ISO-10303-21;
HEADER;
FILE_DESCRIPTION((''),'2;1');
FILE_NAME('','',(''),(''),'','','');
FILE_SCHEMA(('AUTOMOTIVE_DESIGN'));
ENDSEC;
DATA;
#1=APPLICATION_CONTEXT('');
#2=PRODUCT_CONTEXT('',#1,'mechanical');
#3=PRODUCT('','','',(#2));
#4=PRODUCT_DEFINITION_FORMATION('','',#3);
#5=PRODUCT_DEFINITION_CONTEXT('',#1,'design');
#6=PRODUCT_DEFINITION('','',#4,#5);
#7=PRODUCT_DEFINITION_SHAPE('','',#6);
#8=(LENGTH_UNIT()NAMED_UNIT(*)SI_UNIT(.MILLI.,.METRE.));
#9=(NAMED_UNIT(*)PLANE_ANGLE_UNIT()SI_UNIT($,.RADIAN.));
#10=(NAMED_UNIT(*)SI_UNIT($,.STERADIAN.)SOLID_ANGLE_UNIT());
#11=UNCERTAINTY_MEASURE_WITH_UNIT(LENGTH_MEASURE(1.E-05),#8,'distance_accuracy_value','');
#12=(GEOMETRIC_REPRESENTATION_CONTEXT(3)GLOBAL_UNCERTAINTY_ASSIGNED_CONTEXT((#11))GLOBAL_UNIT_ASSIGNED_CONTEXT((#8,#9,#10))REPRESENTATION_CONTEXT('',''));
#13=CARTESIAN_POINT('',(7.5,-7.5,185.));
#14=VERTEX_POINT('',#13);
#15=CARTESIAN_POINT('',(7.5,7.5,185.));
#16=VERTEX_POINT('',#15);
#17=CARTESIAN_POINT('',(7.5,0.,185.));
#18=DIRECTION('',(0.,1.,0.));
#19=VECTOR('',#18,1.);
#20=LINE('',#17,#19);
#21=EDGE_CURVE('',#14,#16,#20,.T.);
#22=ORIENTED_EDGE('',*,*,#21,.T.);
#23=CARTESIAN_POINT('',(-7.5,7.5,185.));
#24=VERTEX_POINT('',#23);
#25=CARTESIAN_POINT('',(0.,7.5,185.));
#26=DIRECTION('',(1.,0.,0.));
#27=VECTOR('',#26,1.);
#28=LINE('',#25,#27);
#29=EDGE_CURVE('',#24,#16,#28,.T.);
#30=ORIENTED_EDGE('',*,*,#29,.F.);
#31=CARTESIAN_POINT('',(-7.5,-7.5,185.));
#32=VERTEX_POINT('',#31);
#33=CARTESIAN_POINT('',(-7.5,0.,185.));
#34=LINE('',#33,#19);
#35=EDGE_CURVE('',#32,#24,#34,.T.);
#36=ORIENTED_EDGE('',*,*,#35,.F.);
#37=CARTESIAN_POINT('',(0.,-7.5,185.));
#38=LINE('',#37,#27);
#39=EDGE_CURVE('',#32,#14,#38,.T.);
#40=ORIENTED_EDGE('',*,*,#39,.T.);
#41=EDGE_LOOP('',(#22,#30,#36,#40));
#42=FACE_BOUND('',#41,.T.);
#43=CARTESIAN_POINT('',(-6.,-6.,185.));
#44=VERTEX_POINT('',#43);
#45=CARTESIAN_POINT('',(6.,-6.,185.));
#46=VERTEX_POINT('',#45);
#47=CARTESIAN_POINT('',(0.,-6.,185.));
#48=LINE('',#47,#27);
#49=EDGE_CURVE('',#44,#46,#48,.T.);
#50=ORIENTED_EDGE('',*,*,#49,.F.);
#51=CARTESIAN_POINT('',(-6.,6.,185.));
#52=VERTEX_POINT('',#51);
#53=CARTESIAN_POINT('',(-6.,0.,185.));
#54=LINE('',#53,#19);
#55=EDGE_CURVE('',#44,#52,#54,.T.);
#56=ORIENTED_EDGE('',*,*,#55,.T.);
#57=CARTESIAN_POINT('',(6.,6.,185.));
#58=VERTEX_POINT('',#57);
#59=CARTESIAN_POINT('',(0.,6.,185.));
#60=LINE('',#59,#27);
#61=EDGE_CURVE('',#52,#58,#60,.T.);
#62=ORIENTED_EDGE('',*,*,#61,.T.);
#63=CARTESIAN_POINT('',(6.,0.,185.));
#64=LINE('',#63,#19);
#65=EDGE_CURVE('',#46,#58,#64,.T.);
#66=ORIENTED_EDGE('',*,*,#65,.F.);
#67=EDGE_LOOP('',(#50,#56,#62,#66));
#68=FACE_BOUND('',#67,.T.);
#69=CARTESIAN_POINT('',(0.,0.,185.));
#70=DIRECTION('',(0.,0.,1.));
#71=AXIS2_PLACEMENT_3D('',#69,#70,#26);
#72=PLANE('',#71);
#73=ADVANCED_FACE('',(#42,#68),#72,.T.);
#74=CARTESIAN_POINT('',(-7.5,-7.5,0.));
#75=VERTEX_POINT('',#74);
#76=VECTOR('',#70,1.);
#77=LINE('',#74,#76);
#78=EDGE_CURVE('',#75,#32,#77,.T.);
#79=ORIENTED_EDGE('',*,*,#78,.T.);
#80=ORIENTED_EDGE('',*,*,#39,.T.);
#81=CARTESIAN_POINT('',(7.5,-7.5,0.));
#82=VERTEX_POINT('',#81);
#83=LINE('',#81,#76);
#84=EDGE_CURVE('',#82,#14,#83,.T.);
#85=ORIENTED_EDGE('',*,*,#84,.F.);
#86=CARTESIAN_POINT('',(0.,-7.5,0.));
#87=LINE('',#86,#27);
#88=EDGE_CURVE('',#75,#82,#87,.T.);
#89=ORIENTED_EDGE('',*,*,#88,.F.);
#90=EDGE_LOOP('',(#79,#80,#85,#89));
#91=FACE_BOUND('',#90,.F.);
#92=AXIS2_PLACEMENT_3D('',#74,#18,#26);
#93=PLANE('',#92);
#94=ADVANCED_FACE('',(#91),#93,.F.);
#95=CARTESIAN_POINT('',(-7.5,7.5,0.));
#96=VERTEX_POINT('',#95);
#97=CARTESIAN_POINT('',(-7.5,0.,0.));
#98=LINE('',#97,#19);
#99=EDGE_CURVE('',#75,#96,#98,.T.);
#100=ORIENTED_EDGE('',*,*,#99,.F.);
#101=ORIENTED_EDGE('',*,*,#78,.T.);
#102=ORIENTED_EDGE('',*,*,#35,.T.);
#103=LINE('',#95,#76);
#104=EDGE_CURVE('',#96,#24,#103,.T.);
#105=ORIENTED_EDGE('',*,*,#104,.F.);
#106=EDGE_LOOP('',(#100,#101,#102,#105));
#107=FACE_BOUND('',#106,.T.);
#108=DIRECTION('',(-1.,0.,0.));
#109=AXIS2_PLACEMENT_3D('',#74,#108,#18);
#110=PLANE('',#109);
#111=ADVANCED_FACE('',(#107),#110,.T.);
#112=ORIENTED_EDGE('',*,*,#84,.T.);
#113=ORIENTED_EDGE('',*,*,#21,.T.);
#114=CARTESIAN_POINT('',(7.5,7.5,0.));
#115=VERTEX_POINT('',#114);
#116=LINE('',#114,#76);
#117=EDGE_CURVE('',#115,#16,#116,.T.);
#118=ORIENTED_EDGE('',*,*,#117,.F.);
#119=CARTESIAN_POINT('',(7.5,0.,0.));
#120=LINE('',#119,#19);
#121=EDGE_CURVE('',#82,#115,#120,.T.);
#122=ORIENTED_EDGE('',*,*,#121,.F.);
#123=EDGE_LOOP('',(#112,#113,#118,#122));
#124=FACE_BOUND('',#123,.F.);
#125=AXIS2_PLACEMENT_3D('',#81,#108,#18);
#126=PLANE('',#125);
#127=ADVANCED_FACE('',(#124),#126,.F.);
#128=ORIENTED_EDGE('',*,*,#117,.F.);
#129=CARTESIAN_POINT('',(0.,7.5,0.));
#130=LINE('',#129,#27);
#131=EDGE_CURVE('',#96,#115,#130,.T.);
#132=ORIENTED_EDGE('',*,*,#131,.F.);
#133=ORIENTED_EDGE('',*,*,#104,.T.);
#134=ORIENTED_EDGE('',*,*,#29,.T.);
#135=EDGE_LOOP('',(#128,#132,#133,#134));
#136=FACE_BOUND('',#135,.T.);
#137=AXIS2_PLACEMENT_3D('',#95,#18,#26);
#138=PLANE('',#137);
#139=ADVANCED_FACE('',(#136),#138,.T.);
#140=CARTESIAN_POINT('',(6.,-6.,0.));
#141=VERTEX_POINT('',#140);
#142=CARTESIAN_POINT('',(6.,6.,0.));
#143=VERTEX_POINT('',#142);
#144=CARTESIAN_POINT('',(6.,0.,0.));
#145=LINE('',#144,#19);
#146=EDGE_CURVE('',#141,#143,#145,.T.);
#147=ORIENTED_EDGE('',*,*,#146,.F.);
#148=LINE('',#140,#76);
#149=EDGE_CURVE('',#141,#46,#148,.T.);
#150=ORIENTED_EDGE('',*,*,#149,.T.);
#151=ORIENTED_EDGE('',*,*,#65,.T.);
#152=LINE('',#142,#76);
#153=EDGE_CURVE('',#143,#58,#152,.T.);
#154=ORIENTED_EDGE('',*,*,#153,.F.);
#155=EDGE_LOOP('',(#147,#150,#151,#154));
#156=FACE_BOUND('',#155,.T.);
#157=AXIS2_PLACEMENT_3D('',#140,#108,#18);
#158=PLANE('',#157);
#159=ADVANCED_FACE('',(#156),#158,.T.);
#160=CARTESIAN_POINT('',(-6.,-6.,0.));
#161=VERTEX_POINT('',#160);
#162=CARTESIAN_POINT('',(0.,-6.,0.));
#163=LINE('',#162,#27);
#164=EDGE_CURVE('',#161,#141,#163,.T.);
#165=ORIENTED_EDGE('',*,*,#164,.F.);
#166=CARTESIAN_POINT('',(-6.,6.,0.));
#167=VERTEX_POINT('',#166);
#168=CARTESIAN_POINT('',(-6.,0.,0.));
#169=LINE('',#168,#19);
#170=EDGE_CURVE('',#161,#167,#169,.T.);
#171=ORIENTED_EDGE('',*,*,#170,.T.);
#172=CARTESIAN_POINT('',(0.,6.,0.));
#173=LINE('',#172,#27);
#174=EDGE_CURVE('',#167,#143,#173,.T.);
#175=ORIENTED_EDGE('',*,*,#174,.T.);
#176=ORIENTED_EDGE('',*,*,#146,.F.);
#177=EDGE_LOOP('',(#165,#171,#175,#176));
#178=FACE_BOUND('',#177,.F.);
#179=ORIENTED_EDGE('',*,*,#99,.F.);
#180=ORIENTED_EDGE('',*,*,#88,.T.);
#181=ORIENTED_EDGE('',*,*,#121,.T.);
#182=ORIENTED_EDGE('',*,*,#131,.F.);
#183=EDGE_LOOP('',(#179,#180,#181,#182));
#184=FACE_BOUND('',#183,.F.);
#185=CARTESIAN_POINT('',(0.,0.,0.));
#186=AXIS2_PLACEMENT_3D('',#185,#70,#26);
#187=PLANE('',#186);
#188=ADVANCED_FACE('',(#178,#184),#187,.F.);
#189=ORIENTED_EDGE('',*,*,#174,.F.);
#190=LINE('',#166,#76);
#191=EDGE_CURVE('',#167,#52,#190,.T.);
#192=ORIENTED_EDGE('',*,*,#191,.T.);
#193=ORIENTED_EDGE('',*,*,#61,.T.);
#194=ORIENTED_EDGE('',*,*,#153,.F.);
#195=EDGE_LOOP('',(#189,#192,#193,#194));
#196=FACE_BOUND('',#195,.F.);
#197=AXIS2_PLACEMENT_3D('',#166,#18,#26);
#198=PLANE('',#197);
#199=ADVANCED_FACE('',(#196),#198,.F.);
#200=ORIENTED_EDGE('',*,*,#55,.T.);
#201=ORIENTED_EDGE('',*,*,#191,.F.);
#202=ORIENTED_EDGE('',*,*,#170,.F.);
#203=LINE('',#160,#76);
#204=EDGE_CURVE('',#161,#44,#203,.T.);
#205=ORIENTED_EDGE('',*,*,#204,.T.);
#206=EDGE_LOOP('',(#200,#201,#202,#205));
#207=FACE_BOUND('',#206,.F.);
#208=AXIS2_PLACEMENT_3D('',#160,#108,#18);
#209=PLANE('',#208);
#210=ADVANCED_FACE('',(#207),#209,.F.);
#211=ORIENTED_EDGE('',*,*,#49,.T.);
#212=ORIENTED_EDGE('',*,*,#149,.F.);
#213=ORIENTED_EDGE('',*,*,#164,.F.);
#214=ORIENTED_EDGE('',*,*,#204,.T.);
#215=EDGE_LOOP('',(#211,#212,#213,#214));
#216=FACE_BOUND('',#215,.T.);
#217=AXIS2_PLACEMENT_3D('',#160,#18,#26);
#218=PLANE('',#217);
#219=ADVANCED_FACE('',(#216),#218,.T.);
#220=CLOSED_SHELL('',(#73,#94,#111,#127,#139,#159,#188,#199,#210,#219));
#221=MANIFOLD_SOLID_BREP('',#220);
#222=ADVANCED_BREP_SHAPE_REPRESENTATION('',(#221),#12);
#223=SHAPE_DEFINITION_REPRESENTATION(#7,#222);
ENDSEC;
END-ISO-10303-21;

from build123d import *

# Parameters (mm, degrees)
SKETCH_W   = 15
SKETCH_H   = 15
SKETCH_W_2 = 12
SKETCH_H_2 = 12
PAD_DEPTH  = 185


with BuildPart() as part:
    # Sketch → Pad (new body)
    with BuildSketch(Plane.XY):
        Rectangle(SKETCH_W, SKETCH_H)
        Rectangle(SKETCH_W_2, SKETCH_H_2, mode=Mode.SUBTRACT)
    extrude(amount=PAD_DEPTH)


solid = part.part
